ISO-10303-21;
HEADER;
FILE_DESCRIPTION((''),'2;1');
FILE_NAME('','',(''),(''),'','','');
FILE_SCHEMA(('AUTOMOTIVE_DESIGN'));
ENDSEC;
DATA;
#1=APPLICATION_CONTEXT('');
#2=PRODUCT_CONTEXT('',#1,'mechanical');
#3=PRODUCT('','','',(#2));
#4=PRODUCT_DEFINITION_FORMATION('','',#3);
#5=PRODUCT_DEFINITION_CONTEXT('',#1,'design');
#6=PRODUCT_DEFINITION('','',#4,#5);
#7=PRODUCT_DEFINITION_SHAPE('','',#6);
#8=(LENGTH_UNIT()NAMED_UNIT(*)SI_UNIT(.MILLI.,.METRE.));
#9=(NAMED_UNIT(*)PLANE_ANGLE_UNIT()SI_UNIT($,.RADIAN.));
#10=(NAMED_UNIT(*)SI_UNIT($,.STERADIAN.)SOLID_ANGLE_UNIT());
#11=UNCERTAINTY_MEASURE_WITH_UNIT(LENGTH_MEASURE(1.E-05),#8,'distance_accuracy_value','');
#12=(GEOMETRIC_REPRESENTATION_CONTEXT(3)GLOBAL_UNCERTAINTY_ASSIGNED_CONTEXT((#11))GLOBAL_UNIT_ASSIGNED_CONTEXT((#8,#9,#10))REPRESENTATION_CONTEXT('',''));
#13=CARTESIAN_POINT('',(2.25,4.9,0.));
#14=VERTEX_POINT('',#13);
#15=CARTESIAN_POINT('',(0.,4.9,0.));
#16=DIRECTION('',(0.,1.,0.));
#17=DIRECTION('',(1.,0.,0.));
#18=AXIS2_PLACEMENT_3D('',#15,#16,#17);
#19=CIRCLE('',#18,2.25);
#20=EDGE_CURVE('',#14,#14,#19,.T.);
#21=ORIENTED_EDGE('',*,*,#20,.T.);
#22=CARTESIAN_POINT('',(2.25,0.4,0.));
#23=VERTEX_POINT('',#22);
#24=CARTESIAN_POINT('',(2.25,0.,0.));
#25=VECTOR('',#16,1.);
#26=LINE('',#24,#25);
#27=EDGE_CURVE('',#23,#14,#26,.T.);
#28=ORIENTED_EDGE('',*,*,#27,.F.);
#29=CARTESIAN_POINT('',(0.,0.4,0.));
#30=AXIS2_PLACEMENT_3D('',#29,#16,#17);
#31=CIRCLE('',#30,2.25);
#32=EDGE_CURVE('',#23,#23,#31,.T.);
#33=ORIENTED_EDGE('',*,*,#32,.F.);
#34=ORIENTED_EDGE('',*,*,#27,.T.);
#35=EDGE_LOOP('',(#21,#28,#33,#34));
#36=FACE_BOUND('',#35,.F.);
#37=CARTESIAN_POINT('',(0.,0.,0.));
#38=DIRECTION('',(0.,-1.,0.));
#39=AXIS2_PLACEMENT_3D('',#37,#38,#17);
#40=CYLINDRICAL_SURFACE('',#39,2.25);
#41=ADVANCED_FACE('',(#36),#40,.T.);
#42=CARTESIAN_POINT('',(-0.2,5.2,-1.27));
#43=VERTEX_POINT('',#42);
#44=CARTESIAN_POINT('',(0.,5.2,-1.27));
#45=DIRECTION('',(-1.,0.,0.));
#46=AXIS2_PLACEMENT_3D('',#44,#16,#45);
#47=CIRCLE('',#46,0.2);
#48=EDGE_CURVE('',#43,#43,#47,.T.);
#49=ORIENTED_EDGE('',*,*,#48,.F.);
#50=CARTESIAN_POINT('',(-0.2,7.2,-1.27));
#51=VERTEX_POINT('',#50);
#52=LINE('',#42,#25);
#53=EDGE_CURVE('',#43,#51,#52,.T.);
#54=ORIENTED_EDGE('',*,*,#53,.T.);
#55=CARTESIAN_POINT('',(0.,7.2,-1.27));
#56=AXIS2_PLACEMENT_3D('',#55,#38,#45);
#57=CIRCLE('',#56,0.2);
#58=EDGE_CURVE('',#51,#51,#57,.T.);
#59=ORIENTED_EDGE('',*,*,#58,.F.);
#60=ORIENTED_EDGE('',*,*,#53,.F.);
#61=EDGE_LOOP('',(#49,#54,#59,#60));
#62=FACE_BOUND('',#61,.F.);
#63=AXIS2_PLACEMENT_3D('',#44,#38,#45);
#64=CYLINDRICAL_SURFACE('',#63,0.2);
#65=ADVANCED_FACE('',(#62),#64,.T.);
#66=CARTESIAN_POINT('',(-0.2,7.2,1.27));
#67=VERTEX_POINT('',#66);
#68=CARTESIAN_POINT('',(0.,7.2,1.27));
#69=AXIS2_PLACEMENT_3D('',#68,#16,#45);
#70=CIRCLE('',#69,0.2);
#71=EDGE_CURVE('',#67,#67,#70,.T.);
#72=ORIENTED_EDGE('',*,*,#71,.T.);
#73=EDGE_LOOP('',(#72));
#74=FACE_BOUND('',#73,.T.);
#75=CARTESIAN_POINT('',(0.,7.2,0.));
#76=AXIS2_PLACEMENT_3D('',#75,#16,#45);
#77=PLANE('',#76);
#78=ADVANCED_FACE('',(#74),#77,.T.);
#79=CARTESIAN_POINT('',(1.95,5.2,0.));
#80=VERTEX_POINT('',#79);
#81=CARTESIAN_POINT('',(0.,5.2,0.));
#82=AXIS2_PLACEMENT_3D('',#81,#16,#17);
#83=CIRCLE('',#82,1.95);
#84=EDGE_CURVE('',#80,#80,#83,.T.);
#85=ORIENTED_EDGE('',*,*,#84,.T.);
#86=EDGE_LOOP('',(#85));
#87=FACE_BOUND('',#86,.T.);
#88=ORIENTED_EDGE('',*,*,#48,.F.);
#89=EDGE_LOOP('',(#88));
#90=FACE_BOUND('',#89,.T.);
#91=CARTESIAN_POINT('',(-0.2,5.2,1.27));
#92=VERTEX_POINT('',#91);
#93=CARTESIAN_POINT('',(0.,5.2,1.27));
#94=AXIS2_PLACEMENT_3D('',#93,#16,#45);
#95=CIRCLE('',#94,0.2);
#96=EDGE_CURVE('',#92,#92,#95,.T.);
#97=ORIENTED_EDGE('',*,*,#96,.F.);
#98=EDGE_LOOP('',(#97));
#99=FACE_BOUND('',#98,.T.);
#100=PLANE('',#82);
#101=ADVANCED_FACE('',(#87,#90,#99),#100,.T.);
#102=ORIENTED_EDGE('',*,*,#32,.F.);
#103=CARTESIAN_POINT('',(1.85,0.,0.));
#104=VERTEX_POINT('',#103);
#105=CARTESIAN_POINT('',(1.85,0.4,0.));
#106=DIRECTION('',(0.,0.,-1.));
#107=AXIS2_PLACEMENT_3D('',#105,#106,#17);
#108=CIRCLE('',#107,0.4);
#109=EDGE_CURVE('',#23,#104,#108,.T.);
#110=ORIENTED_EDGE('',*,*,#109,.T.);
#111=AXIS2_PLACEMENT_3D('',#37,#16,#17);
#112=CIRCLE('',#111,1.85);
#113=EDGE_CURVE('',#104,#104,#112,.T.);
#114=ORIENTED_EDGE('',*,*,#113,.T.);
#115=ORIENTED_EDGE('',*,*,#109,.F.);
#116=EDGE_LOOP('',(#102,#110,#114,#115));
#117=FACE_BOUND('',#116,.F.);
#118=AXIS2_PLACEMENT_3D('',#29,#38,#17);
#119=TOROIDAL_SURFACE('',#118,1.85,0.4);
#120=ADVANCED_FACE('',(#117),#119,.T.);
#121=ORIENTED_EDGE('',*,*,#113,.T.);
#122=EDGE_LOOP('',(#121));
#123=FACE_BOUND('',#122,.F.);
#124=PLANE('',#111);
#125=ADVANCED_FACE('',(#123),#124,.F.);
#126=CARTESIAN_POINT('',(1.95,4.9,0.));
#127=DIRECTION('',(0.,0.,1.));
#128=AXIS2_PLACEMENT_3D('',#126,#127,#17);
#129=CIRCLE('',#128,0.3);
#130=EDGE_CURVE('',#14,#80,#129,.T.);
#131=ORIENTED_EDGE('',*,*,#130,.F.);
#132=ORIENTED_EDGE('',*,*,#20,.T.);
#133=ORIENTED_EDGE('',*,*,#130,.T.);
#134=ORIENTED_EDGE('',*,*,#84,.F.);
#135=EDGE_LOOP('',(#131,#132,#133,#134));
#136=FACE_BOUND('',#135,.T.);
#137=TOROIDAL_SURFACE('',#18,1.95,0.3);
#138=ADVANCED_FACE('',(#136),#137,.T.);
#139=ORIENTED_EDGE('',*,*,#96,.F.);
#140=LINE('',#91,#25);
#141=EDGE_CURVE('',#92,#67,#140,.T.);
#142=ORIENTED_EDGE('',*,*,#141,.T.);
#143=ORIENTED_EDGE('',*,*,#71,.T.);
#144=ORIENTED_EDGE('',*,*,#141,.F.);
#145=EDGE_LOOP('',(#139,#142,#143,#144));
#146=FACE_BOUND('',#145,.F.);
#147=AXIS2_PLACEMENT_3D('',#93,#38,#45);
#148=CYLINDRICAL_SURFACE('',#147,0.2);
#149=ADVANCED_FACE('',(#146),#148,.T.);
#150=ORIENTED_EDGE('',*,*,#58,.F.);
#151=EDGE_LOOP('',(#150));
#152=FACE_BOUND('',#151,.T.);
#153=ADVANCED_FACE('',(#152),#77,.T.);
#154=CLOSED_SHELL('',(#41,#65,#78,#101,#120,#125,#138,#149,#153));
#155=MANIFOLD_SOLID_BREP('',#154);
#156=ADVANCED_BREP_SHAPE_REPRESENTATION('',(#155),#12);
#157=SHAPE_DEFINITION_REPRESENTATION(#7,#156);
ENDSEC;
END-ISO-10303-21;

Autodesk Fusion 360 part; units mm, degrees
sketch "Sketch1" plane through (0, 0, 0) normal (0, 1, 0) x (1, 0, 0)
  circle A0 centre (0, 0) radius 2.25
  dimension "d1" = 4.5
extrude "Extrude1" add sketch "Sketch1" along normal blind 5.2
sketch "Sketch2" plane through (0, 5.2, 0) normal (0, 1, 0) x (-1, 0, 0)
  circle A0 centre (0, 0) radius 2.25
  line L0 (0, 0) -> (0, -1.27)
  circle A1 centre (0, -1.27) radius 0.2
  line L1 (0, 0) -> (-0.6583, 0) construction
  circle A2 centre (0, 1.27) radius 0.2
  dimension "d4" = 1.27
  dimension "d6" = 0.4
extrude "Extrude2" add sketch "Sketch2" along normal blind 2 contours A1 | A2
fillet "Fillet1" radius 0.4 1 edges at (-2.0977, 0, 0.8136)
fillet "Fillet2" radius 0.3 1 edges at (-2.0977, 5.2, 0.8136)
sketch "Sketch3" plane through (0, 0, 0) normal (0, 0, 1) x (1, 0, 0)
equation "d4 = ( 2.54 / 2 ) * 1 mm"
